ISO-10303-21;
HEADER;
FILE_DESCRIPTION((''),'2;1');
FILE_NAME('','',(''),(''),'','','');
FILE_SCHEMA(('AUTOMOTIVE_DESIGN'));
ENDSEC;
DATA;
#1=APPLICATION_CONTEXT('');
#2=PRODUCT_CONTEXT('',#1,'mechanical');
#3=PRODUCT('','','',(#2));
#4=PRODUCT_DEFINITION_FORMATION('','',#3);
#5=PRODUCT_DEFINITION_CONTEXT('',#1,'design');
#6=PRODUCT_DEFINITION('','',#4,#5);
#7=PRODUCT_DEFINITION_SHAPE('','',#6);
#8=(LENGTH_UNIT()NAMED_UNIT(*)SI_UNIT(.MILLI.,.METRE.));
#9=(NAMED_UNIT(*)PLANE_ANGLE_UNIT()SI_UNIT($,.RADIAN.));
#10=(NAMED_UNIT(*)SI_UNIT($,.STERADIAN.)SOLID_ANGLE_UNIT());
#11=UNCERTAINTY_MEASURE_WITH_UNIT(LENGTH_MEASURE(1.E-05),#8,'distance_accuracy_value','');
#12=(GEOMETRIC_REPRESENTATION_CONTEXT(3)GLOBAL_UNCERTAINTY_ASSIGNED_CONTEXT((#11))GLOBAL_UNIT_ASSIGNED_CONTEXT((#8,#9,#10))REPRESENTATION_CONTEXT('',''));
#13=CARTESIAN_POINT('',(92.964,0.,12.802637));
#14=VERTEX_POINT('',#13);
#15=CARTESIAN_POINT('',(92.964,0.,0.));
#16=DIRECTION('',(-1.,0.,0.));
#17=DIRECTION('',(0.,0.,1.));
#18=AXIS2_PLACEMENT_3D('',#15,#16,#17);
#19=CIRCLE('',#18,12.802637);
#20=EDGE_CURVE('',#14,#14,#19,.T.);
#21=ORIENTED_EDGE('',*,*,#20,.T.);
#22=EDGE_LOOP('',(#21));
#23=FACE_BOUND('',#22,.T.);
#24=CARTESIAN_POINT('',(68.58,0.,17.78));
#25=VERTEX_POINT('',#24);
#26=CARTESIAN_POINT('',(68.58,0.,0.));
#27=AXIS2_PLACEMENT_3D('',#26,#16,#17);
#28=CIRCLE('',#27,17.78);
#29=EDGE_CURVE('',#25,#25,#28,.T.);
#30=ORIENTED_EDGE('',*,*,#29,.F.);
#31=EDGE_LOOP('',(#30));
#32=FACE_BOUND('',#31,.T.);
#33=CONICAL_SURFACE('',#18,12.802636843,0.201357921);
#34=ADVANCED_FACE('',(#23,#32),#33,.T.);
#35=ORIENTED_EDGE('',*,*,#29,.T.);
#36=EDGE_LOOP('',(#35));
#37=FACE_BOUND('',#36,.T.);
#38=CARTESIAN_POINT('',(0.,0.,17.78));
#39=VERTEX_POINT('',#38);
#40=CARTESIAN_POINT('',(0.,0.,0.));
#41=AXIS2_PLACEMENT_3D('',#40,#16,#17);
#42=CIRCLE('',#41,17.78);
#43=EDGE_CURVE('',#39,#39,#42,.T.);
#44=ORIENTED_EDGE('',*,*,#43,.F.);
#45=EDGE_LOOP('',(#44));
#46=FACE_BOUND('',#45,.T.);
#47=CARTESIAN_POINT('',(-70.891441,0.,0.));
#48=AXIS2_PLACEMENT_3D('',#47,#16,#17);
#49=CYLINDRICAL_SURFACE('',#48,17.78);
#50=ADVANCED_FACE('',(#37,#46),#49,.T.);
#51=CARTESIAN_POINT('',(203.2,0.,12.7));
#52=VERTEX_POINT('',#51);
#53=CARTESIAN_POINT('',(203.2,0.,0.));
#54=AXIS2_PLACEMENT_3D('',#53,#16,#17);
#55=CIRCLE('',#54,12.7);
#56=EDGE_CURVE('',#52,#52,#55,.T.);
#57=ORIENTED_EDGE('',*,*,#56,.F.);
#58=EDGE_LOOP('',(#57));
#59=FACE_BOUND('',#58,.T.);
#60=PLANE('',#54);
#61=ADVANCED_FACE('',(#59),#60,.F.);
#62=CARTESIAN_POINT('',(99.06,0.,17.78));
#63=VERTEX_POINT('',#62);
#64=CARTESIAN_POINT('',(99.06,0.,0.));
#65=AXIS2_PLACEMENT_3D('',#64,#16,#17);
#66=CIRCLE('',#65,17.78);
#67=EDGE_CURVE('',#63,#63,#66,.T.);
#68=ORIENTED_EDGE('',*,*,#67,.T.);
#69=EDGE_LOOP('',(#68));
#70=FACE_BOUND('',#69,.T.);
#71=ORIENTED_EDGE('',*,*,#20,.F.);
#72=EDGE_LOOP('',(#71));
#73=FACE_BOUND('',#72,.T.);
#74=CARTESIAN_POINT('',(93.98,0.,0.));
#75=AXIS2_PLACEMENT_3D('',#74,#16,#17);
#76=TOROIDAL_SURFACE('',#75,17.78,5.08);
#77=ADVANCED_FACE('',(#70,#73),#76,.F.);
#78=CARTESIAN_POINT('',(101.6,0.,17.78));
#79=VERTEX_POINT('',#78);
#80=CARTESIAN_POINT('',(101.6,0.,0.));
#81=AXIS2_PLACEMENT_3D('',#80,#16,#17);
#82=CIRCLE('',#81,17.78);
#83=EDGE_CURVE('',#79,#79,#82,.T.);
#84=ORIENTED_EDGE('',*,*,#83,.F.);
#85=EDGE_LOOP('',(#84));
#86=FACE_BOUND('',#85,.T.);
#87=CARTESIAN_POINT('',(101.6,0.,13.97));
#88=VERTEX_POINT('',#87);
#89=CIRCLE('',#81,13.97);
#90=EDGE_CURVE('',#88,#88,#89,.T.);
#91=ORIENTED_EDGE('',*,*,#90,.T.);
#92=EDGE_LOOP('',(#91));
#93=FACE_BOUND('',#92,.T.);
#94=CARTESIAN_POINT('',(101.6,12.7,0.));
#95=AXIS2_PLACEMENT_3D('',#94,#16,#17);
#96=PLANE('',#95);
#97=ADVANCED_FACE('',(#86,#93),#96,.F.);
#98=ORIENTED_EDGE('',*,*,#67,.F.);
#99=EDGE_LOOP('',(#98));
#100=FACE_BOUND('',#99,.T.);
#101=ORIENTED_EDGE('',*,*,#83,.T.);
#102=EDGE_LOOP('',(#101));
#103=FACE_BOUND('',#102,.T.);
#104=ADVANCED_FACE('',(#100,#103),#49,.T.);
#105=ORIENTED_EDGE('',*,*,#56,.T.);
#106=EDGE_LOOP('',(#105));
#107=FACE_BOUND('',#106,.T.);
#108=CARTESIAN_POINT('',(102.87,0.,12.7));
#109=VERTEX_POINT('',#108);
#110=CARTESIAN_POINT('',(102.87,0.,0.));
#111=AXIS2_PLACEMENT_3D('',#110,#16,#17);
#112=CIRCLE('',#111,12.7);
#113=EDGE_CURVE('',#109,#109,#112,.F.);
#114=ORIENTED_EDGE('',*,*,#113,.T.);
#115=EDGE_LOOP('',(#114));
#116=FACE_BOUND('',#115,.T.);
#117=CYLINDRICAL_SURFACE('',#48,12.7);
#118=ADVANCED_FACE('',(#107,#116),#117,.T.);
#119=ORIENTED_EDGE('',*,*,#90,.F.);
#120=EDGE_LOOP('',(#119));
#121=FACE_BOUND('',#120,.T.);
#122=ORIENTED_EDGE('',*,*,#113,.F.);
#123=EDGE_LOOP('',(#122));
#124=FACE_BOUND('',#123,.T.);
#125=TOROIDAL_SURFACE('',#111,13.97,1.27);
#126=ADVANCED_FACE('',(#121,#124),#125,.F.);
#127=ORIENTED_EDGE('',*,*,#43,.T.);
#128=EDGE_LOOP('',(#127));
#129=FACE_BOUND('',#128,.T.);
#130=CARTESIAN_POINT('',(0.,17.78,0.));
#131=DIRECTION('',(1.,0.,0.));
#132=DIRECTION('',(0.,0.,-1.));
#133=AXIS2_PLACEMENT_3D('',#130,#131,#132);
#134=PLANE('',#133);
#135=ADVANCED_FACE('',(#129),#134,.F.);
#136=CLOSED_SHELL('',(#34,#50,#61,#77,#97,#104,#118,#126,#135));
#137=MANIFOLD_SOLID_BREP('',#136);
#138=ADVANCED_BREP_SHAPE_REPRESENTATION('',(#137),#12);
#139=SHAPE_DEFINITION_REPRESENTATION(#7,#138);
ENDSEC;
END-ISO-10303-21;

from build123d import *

# Parameters (mm, degrees)
FILLET1_R = 1.27


with BuildPart() as part:
    # Sketch1 → Revolve1 (revolve)
    with BuildSketch(Plane.XY):
        with BuildLine():
            Line((0, 17.78), (0, 0))
            Line((0, 0), (203.2, 0))
            Line((203.2, 0), (203.2, 12.7))
            Line((203.2, 12.7), (101.6, 12.7))
            Line((101.6, 12.7), (101.6, 17.78))
            Line((101.6, 17.78), (99.06, 17.78))
            ThreePointArc((99.06, 17.78), (97.192874103, 13.84504892), (92.964, 12.802636843))
            Line((92.964, 12.802636843), (68.58, 17.78))
            Line((68.58, 17.78), (0, 17.78))
        make_face()
    revolve(axis=Axis((-70.891441255, 0, 0), (1, 0, 0)))

    # Fillet1
    fillet1_edges = [part.edges().sort_by_distance(p)[0] for p in [
        (101.6, -12.7, 0),
    ]]
    fillet(fillet1_edges, radius=FILLET1_R)


solid = part.part
